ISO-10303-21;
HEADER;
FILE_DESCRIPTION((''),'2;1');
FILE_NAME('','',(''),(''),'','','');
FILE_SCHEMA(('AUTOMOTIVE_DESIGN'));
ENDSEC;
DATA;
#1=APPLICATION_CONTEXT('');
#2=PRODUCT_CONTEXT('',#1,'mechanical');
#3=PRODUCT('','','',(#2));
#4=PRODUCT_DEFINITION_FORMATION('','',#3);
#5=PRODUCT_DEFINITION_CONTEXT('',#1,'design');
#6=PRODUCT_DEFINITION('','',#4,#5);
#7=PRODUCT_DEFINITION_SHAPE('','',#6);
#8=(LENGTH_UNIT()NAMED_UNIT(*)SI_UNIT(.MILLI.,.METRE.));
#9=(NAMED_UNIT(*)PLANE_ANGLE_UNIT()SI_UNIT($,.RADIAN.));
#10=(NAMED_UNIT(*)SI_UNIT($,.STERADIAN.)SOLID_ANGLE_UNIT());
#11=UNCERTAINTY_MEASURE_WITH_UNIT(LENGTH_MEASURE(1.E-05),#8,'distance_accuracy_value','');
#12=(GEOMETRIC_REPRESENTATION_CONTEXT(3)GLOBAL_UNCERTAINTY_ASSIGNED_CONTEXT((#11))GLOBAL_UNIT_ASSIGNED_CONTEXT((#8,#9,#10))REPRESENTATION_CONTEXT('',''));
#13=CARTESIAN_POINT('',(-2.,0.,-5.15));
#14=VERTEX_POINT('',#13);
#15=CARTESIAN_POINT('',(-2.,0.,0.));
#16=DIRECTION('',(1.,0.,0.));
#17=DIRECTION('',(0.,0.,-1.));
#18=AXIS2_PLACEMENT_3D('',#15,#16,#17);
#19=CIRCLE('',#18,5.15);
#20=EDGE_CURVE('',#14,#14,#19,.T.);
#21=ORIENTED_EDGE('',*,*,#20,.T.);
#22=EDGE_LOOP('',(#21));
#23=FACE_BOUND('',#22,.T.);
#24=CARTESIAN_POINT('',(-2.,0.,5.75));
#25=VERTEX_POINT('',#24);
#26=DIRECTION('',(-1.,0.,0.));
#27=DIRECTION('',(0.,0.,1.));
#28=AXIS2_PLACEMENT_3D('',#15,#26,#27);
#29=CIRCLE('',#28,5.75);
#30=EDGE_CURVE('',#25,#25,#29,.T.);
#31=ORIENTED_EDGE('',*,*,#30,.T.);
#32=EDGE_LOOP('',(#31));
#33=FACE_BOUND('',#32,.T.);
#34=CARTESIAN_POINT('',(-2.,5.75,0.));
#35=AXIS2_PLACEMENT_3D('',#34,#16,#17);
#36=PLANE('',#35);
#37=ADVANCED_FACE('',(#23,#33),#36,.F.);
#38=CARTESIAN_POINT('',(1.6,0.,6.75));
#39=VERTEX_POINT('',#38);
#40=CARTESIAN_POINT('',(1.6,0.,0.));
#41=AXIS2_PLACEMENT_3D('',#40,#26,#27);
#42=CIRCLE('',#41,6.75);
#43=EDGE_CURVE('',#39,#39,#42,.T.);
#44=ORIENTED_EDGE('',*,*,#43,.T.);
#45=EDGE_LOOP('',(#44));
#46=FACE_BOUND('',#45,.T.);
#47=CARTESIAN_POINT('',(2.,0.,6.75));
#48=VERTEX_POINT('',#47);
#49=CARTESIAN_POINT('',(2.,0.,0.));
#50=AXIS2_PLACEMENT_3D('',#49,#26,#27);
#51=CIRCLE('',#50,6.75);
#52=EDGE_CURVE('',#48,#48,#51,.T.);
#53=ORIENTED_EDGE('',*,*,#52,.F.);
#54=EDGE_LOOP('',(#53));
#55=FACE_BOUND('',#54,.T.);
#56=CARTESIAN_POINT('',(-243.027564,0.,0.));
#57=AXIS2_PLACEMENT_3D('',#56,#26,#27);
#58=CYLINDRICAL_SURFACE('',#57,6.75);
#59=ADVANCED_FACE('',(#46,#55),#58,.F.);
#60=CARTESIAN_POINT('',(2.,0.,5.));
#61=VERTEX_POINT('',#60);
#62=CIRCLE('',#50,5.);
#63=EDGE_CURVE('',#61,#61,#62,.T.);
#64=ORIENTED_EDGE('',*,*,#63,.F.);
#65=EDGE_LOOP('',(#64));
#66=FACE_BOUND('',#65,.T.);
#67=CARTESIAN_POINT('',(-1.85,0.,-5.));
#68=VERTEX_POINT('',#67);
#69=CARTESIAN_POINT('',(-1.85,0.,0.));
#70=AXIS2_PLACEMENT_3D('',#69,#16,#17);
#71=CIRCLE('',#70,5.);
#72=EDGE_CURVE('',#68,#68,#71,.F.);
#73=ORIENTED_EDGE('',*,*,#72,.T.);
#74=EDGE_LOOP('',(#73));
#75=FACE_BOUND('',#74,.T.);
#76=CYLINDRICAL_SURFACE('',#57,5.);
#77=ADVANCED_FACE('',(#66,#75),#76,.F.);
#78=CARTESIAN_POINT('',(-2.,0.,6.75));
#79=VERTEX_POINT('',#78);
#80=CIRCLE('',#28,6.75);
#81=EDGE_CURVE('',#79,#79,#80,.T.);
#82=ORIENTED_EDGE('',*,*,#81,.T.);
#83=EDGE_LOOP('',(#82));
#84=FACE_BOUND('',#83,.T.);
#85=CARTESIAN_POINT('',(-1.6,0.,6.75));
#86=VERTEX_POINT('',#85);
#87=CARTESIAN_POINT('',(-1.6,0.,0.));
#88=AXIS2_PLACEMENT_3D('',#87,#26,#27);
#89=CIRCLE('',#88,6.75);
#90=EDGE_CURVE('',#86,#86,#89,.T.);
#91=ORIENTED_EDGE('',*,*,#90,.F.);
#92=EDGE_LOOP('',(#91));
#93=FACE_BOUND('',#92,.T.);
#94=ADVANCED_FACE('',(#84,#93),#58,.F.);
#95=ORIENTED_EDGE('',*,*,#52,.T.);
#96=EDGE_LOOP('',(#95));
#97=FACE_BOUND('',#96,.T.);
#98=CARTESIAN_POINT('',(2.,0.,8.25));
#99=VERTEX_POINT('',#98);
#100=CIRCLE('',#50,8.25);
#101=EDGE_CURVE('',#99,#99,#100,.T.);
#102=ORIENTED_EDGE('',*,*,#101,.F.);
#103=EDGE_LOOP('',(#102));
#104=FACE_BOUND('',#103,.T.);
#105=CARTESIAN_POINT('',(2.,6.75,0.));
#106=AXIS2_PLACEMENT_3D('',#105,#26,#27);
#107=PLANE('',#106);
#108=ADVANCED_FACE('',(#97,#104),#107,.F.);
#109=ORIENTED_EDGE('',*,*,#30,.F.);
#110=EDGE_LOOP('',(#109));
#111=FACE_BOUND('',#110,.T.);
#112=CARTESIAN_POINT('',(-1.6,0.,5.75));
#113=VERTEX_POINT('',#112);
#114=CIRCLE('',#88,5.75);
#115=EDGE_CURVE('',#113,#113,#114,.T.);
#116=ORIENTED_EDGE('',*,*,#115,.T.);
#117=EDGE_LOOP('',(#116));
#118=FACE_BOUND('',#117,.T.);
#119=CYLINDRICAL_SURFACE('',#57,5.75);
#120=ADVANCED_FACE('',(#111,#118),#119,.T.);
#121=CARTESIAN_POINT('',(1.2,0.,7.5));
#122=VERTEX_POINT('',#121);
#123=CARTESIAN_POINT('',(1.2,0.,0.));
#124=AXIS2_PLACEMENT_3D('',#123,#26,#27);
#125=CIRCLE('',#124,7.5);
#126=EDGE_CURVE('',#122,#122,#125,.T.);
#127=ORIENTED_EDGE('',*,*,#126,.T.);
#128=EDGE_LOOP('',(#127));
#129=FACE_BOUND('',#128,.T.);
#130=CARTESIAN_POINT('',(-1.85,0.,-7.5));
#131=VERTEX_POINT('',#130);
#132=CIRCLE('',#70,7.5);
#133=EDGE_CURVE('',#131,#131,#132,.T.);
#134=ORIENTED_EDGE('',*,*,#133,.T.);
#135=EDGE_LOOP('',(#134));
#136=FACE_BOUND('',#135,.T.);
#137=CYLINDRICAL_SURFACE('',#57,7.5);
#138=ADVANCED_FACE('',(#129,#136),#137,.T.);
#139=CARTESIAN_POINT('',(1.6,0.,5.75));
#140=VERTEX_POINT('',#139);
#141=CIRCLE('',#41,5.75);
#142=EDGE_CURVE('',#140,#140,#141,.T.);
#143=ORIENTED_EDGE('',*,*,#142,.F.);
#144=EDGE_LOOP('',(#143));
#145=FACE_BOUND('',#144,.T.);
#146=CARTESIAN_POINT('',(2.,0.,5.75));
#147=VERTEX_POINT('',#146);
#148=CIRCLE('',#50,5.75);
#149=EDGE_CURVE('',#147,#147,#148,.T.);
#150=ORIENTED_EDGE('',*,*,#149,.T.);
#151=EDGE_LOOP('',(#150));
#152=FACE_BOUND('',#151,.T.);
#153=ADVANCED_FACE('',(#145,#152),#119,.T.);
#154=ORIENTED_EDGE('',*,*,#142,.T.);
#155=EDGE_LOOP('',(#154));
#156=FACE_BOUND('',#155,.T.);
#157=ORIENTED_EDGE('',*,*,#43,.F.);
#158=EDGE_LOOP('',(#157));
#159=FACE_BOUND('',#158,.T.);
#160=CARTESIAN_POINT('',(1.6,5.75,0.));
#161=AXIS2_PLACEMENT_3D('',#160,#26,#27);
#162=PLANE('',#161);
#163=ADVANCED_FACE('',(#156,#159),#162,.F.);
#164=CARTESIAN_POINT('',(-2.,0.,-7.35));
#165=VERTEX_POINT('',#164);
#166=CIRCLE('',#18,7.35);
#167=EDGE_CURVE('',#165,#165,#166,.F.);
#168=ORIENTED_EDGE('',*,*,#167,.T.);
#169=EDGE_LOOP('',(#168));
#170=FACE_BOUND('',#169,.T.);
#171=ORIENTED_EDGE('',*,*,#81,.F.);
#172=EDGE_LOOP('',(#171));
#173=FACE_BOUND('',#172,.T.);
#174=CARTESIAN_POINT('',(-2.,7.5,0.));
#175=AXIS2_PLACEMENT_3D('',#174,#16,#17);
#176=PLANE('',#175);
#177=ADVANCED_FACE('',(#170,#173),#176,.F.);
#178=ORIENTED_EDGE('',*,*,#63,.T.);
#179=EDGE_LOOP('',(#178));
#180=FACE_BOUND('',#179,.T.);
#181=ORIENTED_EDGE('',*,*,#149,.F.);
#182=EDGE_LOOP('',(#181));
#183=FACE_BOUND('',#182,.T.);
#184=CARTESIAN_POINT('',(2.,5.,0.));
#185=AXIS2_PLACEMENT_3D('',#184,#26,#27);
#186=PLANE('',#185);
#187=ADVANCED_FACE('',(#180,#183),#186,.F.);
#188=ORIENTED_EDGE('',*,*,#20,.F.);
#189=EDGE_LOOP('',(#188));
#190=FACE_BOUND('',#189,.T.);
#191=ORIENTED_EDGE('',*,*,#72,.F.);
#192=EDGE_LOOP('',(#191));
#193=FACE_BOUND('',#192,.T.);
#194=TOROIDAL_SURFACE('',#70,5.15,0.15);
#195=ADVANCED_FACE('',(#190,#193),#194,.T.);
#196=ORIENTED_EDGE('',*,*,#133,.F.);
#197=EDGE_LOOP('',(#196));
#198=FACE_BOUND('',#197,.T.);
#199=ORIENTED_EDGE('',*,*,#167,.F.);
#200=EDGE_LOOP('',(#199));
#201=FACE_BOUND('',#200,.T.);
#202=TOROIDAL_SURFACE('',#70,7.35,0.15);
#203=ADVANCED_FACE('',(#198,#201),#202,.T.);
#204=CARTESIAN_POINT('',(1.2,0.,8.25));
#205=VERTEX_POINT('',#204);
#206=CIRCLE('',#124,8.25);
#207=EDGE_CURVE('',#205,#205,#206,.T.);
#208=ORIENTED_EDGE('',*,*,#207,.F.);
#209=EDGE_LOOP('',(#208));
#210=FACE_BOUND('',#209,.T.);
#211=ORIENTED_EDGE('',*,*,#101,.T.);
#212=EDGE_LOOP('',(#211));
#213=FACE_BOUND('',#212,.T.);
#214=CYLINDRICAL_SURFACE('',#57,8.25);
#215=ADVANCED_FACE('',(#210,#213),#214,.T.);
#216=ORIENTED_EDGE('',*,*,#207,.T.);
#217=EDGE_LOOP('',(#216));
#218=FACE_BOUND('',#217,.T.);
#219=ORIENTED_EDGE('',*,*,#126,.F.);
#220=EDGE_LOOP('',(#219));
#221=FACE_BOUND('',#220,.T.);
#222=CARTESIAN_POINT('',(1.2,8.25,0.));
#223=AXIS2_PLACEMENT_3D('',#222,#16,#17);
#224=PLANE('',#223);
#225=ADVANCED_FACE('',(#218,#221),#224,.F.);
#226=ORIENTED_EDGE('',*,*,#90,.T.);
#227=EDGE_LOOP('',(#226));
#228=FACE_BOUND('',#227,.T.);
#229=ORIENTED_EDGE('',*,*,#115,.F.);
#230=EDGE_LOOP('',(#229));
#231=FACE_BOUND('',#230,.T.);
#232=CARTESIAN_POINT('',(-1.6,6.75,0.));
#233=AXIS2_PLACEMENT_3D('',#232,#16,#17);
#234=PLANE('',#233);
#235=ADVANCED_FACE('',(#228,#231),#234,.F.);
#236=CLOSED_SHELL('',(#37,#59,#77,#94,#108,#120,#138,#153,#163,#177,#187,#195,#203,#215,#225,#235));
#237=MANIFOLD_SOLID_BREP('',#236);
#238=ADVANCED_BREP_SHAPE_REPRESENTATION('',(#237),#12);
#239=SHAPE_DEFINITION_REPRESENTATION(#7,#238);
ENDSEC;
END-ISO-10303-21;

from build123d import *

# Parameters (mm, degrees)
FILLET1_R = 0.15


with BuildPart() as part:
    # Sketch1 → Revolve1 (revolve)
    with BuildSketch(Plane.XY, mode=Mode.PRIVATE) as revolve1_sk:
        Polygon((2, 8.25), (1.2, 8.25), (1.2, 7.5), (-2, 7.5), (-2, 6.75), (-1.6, 6.75), (-1.6, 5.75), (-2, 5.75), (-2, 5), (2, 5), (2, 5.75), (1.6, 5.75), (1.6, 6.75), (2, 6.75), align=None)
    revolve(revolve1_sk.sketch.rotate(Axis((-243.027564124, 0, 0), (1, 0, 0)), 90), axis=Axis((-243.027564124, 0, 0), (1, 0, 0)))

    # Fillet1
    fillet1_edges = [part.edges().sort_by_distance(p)[0] for p in [
        (-2, 0, -5),
        (-2, 0, -7.5),
    ]]
    fillet(fillet1_edges, radius=FILLET1_R)


solid = part.part
